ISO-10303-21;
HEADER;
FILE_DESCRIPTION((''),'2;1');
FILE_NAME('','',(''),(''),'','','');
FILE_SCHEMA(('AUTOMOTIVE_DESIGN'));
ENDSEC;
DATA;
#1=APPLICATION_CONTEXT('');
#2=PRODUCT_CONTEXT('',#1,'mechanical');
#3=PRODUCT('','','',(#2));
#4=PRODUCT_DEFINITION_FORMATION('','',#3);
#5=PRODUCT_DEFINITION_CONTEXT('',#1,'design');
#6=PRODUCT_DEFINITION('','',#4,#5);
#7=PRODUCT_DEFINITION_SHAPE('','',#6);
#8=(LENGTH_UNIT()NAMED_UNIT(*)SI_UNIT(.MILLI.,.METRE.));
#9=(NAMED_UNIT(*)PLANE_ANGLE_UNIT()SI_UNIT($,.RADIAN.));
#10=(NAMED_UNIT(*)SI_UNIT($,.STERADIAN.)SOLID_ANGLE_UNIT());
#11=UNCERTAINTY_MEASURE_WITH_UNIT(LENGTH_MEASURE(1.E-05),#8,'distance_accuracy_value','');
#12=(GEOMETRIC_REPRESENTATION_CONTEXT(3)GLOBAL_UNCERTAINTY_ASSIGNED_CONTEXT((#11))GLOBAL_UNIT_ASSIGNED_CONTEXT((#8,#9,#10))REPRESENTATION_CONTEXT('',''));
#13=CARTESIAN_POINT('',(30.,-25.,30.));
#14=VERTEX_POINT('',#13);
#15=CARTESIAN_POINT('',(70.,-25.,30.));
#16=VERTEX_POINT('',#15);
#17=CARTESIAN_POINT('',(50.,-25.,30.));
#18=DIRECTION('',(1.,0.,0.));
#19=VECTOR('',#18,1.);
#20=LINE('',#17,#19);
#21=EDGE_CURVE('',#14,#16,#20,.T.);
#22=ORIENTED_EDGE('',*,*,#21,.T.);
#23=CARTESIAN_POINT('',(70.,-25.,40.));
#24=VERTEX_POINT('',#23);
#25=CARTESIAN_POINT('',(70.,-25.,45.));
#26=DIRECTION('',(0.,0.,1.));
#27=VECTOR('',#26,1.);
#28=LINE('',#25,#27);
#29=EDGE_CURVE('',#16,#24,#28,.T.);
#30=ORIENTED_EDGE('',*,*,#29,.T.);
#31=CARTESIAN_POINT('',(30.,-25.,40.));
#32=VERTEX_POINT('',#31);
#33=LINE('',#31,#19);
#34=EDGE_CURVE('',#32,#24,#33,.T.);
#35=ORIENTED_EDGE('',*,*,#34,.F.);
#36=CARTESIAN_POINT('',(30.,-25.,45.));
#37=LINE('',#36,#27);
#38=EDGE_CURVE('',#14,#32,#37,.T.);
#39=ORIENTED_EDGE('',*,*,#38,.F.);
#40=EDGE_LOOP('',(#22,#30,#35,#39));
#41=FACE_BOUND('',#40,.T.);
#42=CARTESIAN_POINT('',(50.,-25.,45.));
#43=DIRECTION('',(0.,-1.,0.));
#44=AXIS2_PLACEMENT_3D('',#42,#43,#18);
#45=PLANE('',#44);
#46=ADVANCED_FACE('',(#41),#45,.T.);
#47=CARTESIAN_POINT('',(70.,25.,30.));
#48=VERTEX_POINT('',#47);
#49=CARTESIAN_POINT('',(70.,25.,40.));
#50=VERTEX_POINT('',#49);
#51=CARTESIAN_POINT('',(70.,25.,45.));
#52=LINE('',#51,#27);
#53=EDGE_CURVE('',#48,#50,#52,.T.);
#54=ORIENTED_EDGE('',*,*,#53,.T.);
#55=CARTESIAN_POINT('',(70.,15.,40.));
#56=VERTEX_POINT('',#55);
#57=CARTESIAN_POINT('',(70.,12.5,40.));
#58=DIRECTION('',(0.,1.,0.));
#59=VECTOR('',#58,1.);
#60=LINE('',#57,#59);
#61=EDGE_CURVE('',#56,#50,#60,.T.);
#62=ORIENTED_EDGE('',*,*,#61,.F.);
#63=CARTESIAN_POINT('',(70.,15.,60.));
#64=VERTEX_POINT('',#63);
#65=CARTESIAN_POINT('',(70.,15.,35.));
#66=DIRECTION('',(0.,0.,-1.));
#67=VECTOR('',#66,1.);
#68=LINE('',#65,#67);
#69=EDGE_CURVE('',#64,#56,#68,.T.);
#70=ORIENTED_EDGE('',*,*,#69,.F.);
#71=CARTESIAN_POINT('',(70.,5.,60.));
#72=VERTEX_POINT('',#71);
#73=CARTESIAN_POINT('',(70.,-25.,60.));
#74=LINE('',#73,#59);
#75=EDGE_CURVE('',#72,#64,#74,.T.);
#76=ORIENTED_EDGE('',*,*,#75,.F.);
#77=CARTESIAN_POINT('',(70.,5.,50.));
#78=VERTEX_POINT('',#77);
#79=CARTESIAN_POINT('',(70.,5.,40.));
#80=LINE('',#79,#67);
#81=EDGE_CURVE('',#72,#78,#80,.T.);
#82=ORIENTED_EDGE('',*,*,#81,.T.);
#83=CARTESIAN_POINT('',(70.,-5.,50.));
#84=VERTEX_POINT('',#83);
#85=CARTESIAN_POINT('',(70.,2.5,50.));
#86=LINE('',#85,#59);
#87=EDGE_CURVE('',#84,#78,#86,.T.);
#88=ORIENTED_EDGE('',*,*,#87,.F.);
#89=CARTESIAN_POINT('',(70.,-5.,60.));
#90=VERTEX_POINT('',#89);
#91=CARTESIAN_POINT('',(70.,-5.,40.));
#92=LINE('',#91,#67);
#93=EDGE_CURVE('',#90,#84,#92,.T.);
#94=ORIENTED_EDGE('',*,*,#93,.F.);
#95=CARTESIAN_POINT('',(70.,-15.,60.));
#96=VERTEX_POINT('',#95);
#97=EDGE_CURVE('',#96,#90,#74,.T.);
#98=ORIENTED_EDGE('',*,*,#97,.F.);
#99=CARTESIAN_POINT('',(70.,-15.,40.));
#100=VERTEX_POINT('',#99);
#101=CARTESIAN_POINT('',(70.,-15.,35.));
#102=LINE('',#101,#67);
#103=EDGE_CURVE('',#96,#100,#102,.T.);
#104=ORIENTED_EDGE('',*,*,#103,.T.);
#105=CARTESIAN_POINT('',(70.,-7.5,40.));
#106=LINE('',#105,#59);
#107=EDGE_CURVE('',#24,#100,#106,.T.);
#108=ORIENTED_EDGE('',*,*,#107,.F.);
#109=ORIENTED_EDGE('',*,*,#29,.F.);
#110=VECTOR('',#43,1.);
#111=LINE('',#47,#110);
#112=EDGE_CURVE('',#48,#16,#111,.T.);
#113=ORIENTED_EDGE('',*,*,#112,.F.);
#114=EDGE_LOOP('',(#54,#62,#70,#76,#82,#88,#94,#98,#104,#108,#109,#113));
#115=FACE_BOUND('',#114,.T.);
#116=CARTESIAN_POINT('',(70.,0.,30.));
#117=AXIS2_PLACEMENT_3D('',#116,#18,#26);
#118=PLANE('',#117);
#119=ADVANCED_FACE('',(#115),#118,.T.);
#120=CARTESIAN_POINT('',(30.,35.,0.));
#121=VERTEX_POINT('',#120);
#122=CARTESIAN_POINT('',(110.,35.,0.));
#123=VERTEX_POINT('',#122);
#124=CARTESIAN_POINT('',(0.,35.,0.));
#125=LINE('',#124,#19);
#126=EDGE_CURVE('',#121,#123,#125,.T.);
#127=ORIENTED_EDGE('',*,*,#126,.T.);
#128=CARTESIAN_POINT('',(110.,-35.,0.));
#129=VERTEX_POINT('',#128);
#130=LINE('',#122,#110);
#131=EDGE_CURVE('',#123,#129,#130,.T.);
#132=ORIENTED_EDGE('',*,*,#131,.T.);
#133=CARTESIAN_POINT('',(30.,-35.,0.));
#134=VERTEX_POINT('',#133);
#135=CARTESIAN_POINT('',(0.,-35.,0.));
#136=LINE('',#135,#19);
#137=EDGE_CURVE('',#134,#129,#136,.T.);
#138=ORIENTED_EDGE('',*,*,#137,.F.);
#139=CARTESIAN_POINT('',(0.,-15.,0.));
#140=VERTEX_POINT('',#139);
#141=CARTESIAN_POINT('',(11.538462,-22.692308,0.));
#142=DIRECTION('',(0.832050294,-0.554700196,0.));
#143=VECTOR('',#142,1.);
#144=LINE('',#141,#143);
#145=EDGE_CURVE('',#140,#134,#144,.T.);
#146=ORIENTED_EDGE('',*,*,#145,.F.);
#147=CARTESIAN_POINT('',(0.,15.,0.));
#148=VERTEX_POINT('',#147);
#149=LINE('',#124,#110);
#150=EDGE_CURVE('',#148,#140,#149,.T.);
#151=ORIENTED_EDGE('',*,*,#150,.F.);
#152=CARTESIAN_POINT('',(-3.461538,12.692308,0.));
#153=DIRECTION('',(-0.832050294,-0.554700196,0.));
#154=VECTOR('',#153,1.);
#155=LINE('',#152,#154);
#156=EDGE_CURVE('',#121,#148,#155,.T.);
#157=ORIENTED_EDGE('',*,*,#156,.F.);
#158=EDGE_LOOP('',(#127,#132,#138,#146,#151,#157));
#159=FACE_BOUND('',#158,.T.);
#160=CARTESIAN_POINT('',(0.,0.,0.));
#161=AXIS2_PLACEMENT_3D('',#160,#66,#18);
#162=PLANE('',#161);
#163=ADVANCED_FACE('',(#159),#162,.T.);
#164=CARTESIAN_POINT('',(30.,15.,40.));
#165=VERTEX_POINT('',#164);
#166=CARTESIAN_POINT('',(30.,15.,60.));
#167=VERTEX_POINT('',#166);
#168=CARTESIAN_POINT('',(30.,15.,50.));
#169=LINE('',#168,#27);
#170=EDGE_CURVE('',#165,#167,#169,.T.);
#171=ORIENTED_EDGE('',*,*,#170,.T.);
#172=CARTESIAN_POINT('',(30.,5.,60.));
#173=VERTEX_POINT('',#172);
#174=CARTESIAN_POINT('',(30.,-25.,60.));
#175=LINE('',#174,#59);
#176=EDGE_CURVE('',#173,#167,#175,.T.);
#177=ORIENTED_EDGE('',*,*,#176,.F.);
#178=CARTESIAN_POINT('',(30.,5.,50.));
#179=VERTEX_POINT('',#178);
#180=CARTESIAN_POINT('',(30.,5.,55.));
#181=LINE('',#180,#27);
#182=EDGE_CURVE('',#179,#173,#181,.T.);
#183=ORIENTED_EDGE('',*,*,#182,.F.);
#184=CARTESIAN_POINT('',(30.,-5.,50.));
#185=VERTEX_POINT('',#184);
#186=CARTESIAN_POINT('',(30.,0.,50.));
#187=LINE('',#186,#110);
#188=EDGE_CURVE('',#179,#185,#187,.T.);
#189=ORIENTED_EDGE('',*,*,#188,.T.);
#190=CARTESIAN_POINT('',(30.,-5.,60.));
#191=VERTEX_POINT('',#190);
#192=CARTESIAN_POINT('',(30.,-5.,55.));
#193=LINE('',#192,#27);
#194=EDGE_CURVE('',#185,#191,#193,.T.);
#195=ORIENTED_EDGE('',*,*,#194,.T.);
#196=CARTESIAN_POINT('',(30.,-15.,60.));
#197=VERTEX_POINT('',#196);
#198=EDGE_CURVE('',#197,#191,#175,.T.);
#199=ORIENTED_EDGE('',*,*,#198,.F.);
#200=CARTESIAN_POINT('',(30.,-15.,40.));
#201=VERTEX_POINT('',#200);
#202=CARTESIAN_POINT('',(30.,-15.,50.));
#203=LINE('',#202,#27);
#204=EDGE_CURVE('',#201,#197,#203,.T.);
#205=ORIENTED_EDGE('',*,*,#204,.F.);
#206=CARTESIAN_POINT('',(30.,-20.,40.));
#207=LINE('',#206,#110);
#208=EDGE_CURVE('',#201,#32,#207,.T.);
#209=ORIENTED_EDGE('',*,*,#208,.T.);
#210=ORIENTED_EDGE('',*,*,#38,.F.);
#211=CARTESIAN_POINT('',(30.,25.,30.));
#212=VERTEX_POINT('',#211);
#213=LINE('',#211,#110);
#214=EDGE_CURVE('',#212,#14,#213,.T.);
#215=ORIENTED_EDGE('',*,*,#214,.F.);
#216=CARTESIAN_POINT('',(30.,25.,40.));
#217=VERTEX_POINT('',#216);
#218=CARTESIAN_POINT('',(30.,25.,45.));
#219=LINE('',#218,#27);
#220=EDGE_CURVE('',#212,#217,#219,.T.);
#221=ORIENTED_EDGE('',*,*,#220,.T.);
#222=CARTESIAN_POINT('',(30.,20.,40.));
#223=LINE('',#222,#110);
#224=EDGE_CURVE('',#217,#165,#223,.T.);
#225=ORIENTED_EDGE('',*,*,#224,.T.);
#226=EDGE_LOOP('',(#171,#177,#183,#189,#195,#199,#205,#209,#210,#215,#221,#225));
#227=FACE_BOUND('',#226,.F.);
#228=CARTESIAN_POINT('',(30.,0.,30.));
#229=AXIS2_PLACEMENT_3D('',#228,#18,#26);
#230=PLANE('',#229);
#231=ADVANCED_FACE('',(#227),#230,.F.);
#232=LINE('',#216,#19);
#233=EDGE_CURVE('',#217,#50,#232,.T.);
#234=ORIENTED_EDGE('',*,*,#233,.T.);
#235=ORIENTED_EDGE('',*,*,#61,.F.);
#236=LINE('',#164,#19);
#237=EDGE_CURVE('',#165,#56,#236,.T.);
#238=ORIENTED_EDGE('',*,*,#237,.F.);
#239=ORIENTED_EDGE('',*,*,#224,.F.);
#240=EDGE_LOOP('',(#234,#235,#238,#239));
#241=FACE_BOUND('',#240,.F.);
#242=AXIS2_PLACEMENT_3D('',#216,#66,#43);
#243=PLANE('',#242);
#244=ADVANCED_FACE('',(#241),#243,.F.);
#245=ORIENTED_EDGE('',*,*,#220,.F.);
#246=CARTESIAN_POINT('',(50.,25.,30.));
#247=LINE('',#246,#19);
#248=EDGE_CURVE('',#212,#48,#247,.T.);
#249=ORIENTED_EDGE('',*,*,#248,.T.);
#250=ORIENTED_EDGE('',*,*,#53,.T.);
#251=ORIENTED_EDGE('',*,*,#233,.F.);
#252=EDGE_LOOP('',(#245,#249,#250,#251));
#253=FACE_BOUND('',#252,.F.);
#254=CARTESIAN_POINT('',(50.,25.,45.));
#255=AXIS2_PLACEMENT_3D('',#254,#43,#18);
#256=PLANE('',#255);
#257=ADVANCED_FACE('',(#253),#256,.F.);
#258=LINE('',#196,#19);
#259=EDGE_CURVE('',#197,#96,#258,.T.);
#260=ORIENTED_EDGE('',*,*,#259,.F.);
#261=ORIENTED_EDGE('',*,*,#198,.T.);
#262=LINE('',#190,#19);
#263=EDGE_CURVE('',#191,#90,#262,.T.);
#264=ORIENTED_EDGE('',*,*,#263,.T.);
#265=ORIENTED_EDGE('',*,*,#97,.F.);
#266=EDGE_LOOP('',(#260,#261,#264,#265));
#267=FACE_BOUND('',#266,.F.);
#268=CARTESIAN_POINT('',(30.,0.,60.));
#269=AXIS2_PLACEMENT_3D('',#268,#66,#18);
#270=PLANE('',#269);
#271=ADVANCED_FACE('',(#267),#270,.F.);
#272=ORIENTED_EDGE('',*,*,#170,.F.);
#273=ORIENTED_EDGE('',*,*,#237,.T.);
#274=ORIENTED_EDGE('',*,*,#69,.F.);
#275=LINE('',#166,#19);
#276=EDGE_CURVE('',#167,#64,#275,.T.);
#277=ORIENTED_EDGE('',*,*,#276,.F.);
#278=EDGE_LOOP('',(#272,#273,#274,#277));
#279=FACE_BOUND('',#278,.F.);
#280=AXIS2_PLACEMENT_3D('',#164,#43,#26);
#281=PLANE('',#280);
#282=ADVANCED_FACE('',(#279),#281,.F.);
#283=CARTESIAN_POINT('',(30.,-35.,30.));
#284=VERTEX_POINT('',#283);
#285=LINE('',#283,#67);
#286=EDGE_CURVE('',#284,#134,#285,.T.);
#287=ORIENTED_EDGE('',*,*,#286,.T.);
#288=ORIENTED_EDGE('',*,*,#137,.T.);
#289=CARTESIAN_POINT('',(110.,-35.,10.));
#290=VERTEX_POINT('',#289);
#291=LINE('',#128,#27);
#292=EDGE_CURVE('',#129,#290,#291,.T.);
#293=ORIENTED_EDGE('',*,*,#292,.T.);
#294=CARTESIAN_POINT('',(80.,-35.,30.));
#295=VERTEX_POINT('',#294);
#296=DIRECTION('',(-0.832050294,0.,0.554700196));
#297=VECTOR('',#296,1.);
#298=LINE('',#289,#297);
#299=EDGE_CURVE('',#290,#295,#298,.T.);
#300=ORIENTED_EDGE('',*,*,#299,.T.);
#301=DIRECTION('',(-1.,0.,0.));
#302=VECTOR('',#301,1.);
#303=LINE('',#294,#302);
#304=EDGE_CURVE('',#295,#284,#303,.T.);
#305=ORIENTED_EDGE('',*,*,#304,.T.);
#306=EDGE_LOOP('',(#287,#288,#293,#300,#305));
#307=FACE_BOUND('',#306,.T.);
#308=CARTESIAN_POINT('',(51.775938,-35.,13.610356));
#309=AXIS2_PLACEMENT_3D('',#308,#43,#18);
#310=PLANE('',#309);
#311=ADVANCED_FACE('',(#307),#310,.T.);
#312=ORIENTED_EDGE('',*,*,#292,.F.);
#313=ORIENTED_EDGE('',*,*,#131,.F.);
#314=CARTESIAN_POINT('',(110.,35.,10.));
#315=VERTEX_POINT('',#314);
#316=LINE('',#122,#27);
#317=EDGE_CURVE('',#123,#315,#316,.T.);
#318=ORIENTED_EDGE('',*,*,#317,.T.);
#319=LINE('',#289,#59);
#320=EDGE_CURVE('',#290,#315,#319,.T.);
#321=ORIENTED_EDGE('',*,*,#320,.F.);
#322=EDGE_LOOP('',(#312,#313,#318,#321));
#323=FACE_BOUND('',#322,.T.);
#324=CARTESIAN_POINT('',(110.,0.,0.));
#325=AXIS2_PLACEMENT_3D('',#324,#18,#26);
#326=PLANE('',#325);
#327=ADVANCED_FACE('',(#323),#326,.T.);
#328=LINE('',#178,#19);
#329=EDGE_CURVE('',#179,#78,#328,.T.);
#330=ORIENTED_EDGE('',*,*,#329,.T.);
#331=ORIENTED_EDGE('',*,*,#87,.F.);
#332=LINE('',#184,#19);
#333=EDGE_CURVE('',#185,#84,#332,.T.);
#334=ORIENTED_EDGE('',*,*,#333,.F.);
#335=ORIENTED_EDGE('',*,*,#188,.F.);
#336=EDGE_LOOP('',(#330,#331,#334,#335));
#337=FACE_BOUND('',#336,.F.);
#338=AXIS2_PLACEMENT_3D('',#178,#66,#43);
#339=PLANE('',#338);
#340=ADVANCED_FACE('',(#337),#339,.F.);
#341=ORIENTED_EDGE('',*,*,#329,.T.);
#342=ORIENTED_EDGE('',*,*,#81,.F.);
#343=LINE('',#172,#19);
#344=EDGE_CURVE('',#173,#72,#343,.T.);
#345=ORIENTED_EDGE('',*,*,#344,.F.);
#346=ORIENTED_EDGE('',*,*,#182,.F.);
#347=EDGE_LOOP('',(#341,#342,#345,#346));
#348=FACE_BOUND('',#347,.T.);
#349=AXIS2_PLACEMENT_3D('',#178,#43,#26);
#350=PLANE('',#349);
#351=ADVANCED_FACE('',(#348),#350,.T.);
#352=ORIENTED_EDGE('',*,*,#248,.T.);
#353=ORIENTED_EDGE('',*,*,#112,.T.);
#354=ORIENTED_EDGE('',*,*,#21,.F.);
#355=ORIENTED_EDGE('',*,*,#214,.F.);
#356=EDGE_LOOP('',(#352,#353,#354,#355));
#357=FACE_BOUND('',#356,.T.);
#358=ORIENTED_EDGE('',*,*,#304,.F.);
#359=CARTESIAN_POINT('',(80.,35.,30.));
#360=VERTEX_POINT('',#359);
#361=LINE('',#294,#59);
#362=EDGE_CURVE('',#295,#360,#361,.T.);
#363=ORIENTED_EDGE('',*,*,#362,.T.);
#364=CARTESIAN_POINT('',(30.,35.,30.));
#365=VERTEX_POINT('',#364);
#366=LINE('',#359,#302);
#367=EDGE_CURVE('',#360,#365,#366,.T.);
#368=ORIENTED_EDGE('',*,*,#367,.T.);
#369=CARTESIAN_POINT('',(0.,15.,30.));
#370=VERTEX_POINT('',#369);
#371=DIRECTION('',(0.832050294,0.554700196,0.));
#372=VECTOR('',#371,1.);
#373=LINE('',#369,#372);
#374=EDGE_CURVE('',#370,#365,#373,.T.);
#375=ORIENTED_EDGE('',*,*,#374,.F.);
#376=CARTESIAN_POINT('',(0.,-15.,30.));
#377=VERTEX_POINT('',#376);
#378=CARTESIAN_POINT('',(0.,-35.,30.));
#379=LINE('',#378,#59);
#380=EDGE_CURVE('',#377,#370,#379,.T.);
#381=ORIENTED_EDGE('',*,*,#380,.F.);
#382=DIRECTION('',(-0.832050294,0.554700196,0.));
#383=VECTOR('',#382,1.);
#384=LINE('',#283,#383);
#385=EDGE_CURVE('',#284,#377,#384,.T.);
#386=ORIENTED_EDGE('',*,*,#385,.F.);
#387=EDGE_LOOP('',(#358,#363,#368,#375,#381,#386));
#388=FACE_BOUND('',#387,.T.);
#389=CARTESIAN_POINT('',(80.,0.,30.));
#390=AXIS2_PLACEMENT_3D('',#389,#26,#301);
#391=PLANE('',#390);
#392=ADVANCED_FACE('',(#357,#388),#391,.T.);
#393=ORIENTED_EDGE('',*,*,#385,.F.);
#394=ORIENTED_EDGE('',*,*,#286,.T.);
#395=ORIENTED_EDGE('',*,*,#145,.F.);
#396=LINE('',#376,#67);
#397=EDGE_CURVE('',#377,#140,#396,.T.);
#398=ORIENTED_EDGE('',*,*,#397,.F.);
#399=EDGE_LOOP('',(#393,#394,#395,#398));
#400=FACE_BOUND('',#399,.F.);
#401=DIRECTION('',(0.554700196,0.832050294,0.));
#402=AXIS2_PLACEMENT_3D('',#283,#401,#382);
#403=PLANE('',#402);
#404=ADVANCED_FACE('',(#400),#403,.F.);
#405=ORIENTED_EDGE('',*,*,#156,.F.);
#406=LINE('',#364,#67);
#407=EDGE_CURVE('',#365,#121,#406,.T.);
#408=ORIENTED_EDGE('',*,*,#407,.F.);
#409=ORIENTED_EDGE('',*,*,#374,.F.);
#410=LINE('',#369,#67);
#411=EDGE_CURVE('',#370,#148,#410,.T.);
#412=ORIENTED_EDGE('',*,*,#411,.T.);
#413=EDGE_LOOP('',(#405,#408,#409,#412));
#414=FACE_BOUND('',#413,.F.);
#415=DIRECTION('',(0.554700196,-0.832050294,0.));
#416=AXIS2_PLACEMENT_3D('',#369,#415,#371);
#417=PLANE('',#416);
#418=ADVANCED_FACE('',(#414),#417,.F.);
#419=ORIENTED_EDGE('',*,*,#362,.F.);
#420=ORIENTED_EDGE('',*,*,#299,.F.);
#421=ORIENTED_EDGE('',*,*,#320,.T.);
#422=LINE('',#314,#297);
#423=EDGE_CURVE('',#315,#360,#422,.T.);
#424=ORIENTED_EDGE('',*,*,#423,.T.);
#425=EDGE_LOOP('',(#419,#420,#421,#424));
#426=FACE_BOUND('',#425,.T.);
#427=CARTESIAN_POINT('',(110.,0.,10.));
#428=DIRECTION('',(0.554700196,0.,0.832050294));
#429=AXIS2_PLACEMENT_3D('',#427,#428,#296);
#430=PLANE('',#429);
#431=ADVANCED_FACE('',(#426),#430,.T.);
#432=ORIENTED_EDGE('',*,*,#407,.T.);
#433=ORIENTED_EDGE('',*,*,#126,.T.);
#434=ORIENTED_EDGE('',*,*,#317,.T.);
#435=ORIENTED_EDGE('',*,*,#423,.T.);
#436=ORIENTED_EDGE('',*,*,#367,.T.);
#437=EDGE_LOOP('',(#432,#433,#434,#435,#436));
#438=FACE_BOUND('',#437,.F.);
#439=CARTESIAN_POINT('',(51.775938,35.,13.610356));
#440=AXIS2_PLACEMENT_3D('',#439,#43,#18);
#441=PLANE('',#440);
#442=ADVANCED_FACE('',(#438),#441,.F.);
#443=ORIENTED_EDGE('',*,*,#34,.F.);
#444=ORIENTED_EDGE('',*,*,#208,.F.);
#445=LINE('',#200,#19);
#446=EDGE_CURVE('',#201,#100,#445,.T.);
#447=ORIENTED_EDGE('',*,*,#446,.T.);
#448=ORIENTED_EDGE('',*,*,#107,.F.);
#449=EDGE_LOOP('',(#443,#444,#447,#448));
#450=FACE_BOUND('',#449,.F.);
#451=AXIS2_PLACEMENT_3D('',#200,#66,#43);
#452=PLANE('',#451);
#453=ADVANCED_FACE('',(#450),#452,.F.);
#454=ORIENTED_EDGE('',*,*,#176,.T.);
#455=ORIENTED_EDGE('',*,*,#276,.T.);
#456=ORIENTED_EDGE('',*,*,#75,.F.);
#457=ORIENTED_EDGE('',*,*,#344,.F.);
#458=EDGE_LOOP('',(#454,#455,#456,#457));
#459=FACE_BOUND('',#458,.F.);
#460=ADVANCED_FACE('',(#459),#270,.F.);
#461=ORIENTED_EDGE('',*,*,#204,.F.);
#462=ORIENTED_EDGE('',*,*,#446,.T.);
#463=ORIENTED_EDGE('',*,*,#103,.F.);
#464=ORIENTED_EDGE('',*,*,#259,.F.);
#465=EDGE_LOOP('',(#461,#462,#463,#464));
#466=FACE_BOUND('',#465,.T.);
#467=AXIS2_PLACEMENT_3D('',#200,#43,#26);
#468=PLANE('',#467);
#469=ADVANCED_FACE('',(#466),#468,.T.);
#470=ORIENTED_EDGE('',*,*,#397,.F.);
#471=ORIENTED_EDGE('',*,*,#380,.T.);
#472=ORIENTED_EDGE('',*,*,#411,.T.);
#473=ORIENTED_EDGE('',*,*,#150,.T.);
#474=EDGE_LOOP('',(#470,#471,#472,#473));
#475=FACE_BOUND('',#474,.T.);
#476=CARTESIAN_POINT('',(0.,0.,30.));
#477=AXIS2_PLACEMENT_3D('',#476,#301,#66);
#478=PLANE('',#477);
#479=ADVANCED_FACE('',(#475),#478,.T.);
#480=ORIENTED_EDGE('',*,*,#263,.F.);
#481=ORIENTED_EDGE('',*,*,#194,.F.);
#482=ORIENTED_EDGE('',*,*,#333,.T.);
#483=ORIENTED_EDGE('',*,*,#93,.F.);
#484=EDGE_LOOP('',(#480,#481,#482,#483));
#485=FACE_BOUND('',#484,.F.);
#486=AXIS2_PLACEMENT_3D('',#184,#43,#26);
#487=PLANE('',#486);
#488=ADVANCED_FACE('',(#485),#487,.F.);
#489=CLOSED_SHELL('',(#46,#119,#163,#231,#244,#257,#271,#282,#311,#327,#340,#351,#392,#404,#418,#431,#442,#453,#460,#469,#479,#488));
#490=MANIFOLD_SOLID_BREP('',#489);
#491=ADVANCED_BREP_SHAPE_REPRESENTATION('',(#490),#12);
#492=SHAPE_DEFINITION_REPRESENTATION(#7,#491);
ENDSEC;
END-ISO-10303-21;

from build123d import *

# Parameters (mm, degrees)
F1_DEPTH = 35
F0_W     = 40
F0_H     = 30
F2_DEPTH = 25
F4_DEPTH = 30.001
F5_W     = 10
F5_H     = 20
F6_DEPTH = 80.001
F7_W     = 10
F7_H     = 10
F8_DEPTH = 80.001


with BuildPart() as f1:
    # F0 (on Front) → F1 (new body, symmetric)
    with BuildSketch(Plane.XZ):
        Polygon((0, 30), (0, 0), (110, 0), (110, 10), (80, 30), (70, 30), (30, 30), align=None)
    extrude(amount=F1_DEPTH, both=True)

    # F0 (on Front) → F2 (join, symmetric)
    with BuildSketch(Plane.XZ):
        with Locations((50, 45)):
            Rectangle(F0_W, F0_H)
    extrude(amount=F2_DEPTH, both=True)

    # F3 (on face) → F4 (cut, through all)
    with BuildSketch(Plane.XY.offset(30)):
        Polygon((0, -35), (30, -35), (0, -15), align=None)
        Polygon((0, 15), (30, 35), (0, 35), align=None)
    extrude(amount=-F4_DEPTH, mode=Mode.SUBTRACT)

    # F5 (on face) → F6 (cut, through all)
    with BuildSketch(Plane(origin=(30, 0, 0), x_dir=(0, -1, 0), z_dir=(-1, 0, 0))):
        with Locations((-20, 50)):
            Rectangle(F5_W, F5_H)
        with Locations((20, 50)):
            Rectangle(F5_W, F5_H)
    extrude(amount=-F6_DEPTH, mode=Mode.SUBTRACT)

    # F7 (on face) → F8 (cut, through all)
    with BuildSketch(Plane(origin=(30, 0, 0), x_dir=(0, -1, 0), z_dir=(-1, 0, 0))):
        with Locations((0, 55)):
            Rectangle(F7_W, F7_H)
    extrude(amount=-F8_DEPTH, mode=Mode.SUBTRACT)


solid = f1.part
